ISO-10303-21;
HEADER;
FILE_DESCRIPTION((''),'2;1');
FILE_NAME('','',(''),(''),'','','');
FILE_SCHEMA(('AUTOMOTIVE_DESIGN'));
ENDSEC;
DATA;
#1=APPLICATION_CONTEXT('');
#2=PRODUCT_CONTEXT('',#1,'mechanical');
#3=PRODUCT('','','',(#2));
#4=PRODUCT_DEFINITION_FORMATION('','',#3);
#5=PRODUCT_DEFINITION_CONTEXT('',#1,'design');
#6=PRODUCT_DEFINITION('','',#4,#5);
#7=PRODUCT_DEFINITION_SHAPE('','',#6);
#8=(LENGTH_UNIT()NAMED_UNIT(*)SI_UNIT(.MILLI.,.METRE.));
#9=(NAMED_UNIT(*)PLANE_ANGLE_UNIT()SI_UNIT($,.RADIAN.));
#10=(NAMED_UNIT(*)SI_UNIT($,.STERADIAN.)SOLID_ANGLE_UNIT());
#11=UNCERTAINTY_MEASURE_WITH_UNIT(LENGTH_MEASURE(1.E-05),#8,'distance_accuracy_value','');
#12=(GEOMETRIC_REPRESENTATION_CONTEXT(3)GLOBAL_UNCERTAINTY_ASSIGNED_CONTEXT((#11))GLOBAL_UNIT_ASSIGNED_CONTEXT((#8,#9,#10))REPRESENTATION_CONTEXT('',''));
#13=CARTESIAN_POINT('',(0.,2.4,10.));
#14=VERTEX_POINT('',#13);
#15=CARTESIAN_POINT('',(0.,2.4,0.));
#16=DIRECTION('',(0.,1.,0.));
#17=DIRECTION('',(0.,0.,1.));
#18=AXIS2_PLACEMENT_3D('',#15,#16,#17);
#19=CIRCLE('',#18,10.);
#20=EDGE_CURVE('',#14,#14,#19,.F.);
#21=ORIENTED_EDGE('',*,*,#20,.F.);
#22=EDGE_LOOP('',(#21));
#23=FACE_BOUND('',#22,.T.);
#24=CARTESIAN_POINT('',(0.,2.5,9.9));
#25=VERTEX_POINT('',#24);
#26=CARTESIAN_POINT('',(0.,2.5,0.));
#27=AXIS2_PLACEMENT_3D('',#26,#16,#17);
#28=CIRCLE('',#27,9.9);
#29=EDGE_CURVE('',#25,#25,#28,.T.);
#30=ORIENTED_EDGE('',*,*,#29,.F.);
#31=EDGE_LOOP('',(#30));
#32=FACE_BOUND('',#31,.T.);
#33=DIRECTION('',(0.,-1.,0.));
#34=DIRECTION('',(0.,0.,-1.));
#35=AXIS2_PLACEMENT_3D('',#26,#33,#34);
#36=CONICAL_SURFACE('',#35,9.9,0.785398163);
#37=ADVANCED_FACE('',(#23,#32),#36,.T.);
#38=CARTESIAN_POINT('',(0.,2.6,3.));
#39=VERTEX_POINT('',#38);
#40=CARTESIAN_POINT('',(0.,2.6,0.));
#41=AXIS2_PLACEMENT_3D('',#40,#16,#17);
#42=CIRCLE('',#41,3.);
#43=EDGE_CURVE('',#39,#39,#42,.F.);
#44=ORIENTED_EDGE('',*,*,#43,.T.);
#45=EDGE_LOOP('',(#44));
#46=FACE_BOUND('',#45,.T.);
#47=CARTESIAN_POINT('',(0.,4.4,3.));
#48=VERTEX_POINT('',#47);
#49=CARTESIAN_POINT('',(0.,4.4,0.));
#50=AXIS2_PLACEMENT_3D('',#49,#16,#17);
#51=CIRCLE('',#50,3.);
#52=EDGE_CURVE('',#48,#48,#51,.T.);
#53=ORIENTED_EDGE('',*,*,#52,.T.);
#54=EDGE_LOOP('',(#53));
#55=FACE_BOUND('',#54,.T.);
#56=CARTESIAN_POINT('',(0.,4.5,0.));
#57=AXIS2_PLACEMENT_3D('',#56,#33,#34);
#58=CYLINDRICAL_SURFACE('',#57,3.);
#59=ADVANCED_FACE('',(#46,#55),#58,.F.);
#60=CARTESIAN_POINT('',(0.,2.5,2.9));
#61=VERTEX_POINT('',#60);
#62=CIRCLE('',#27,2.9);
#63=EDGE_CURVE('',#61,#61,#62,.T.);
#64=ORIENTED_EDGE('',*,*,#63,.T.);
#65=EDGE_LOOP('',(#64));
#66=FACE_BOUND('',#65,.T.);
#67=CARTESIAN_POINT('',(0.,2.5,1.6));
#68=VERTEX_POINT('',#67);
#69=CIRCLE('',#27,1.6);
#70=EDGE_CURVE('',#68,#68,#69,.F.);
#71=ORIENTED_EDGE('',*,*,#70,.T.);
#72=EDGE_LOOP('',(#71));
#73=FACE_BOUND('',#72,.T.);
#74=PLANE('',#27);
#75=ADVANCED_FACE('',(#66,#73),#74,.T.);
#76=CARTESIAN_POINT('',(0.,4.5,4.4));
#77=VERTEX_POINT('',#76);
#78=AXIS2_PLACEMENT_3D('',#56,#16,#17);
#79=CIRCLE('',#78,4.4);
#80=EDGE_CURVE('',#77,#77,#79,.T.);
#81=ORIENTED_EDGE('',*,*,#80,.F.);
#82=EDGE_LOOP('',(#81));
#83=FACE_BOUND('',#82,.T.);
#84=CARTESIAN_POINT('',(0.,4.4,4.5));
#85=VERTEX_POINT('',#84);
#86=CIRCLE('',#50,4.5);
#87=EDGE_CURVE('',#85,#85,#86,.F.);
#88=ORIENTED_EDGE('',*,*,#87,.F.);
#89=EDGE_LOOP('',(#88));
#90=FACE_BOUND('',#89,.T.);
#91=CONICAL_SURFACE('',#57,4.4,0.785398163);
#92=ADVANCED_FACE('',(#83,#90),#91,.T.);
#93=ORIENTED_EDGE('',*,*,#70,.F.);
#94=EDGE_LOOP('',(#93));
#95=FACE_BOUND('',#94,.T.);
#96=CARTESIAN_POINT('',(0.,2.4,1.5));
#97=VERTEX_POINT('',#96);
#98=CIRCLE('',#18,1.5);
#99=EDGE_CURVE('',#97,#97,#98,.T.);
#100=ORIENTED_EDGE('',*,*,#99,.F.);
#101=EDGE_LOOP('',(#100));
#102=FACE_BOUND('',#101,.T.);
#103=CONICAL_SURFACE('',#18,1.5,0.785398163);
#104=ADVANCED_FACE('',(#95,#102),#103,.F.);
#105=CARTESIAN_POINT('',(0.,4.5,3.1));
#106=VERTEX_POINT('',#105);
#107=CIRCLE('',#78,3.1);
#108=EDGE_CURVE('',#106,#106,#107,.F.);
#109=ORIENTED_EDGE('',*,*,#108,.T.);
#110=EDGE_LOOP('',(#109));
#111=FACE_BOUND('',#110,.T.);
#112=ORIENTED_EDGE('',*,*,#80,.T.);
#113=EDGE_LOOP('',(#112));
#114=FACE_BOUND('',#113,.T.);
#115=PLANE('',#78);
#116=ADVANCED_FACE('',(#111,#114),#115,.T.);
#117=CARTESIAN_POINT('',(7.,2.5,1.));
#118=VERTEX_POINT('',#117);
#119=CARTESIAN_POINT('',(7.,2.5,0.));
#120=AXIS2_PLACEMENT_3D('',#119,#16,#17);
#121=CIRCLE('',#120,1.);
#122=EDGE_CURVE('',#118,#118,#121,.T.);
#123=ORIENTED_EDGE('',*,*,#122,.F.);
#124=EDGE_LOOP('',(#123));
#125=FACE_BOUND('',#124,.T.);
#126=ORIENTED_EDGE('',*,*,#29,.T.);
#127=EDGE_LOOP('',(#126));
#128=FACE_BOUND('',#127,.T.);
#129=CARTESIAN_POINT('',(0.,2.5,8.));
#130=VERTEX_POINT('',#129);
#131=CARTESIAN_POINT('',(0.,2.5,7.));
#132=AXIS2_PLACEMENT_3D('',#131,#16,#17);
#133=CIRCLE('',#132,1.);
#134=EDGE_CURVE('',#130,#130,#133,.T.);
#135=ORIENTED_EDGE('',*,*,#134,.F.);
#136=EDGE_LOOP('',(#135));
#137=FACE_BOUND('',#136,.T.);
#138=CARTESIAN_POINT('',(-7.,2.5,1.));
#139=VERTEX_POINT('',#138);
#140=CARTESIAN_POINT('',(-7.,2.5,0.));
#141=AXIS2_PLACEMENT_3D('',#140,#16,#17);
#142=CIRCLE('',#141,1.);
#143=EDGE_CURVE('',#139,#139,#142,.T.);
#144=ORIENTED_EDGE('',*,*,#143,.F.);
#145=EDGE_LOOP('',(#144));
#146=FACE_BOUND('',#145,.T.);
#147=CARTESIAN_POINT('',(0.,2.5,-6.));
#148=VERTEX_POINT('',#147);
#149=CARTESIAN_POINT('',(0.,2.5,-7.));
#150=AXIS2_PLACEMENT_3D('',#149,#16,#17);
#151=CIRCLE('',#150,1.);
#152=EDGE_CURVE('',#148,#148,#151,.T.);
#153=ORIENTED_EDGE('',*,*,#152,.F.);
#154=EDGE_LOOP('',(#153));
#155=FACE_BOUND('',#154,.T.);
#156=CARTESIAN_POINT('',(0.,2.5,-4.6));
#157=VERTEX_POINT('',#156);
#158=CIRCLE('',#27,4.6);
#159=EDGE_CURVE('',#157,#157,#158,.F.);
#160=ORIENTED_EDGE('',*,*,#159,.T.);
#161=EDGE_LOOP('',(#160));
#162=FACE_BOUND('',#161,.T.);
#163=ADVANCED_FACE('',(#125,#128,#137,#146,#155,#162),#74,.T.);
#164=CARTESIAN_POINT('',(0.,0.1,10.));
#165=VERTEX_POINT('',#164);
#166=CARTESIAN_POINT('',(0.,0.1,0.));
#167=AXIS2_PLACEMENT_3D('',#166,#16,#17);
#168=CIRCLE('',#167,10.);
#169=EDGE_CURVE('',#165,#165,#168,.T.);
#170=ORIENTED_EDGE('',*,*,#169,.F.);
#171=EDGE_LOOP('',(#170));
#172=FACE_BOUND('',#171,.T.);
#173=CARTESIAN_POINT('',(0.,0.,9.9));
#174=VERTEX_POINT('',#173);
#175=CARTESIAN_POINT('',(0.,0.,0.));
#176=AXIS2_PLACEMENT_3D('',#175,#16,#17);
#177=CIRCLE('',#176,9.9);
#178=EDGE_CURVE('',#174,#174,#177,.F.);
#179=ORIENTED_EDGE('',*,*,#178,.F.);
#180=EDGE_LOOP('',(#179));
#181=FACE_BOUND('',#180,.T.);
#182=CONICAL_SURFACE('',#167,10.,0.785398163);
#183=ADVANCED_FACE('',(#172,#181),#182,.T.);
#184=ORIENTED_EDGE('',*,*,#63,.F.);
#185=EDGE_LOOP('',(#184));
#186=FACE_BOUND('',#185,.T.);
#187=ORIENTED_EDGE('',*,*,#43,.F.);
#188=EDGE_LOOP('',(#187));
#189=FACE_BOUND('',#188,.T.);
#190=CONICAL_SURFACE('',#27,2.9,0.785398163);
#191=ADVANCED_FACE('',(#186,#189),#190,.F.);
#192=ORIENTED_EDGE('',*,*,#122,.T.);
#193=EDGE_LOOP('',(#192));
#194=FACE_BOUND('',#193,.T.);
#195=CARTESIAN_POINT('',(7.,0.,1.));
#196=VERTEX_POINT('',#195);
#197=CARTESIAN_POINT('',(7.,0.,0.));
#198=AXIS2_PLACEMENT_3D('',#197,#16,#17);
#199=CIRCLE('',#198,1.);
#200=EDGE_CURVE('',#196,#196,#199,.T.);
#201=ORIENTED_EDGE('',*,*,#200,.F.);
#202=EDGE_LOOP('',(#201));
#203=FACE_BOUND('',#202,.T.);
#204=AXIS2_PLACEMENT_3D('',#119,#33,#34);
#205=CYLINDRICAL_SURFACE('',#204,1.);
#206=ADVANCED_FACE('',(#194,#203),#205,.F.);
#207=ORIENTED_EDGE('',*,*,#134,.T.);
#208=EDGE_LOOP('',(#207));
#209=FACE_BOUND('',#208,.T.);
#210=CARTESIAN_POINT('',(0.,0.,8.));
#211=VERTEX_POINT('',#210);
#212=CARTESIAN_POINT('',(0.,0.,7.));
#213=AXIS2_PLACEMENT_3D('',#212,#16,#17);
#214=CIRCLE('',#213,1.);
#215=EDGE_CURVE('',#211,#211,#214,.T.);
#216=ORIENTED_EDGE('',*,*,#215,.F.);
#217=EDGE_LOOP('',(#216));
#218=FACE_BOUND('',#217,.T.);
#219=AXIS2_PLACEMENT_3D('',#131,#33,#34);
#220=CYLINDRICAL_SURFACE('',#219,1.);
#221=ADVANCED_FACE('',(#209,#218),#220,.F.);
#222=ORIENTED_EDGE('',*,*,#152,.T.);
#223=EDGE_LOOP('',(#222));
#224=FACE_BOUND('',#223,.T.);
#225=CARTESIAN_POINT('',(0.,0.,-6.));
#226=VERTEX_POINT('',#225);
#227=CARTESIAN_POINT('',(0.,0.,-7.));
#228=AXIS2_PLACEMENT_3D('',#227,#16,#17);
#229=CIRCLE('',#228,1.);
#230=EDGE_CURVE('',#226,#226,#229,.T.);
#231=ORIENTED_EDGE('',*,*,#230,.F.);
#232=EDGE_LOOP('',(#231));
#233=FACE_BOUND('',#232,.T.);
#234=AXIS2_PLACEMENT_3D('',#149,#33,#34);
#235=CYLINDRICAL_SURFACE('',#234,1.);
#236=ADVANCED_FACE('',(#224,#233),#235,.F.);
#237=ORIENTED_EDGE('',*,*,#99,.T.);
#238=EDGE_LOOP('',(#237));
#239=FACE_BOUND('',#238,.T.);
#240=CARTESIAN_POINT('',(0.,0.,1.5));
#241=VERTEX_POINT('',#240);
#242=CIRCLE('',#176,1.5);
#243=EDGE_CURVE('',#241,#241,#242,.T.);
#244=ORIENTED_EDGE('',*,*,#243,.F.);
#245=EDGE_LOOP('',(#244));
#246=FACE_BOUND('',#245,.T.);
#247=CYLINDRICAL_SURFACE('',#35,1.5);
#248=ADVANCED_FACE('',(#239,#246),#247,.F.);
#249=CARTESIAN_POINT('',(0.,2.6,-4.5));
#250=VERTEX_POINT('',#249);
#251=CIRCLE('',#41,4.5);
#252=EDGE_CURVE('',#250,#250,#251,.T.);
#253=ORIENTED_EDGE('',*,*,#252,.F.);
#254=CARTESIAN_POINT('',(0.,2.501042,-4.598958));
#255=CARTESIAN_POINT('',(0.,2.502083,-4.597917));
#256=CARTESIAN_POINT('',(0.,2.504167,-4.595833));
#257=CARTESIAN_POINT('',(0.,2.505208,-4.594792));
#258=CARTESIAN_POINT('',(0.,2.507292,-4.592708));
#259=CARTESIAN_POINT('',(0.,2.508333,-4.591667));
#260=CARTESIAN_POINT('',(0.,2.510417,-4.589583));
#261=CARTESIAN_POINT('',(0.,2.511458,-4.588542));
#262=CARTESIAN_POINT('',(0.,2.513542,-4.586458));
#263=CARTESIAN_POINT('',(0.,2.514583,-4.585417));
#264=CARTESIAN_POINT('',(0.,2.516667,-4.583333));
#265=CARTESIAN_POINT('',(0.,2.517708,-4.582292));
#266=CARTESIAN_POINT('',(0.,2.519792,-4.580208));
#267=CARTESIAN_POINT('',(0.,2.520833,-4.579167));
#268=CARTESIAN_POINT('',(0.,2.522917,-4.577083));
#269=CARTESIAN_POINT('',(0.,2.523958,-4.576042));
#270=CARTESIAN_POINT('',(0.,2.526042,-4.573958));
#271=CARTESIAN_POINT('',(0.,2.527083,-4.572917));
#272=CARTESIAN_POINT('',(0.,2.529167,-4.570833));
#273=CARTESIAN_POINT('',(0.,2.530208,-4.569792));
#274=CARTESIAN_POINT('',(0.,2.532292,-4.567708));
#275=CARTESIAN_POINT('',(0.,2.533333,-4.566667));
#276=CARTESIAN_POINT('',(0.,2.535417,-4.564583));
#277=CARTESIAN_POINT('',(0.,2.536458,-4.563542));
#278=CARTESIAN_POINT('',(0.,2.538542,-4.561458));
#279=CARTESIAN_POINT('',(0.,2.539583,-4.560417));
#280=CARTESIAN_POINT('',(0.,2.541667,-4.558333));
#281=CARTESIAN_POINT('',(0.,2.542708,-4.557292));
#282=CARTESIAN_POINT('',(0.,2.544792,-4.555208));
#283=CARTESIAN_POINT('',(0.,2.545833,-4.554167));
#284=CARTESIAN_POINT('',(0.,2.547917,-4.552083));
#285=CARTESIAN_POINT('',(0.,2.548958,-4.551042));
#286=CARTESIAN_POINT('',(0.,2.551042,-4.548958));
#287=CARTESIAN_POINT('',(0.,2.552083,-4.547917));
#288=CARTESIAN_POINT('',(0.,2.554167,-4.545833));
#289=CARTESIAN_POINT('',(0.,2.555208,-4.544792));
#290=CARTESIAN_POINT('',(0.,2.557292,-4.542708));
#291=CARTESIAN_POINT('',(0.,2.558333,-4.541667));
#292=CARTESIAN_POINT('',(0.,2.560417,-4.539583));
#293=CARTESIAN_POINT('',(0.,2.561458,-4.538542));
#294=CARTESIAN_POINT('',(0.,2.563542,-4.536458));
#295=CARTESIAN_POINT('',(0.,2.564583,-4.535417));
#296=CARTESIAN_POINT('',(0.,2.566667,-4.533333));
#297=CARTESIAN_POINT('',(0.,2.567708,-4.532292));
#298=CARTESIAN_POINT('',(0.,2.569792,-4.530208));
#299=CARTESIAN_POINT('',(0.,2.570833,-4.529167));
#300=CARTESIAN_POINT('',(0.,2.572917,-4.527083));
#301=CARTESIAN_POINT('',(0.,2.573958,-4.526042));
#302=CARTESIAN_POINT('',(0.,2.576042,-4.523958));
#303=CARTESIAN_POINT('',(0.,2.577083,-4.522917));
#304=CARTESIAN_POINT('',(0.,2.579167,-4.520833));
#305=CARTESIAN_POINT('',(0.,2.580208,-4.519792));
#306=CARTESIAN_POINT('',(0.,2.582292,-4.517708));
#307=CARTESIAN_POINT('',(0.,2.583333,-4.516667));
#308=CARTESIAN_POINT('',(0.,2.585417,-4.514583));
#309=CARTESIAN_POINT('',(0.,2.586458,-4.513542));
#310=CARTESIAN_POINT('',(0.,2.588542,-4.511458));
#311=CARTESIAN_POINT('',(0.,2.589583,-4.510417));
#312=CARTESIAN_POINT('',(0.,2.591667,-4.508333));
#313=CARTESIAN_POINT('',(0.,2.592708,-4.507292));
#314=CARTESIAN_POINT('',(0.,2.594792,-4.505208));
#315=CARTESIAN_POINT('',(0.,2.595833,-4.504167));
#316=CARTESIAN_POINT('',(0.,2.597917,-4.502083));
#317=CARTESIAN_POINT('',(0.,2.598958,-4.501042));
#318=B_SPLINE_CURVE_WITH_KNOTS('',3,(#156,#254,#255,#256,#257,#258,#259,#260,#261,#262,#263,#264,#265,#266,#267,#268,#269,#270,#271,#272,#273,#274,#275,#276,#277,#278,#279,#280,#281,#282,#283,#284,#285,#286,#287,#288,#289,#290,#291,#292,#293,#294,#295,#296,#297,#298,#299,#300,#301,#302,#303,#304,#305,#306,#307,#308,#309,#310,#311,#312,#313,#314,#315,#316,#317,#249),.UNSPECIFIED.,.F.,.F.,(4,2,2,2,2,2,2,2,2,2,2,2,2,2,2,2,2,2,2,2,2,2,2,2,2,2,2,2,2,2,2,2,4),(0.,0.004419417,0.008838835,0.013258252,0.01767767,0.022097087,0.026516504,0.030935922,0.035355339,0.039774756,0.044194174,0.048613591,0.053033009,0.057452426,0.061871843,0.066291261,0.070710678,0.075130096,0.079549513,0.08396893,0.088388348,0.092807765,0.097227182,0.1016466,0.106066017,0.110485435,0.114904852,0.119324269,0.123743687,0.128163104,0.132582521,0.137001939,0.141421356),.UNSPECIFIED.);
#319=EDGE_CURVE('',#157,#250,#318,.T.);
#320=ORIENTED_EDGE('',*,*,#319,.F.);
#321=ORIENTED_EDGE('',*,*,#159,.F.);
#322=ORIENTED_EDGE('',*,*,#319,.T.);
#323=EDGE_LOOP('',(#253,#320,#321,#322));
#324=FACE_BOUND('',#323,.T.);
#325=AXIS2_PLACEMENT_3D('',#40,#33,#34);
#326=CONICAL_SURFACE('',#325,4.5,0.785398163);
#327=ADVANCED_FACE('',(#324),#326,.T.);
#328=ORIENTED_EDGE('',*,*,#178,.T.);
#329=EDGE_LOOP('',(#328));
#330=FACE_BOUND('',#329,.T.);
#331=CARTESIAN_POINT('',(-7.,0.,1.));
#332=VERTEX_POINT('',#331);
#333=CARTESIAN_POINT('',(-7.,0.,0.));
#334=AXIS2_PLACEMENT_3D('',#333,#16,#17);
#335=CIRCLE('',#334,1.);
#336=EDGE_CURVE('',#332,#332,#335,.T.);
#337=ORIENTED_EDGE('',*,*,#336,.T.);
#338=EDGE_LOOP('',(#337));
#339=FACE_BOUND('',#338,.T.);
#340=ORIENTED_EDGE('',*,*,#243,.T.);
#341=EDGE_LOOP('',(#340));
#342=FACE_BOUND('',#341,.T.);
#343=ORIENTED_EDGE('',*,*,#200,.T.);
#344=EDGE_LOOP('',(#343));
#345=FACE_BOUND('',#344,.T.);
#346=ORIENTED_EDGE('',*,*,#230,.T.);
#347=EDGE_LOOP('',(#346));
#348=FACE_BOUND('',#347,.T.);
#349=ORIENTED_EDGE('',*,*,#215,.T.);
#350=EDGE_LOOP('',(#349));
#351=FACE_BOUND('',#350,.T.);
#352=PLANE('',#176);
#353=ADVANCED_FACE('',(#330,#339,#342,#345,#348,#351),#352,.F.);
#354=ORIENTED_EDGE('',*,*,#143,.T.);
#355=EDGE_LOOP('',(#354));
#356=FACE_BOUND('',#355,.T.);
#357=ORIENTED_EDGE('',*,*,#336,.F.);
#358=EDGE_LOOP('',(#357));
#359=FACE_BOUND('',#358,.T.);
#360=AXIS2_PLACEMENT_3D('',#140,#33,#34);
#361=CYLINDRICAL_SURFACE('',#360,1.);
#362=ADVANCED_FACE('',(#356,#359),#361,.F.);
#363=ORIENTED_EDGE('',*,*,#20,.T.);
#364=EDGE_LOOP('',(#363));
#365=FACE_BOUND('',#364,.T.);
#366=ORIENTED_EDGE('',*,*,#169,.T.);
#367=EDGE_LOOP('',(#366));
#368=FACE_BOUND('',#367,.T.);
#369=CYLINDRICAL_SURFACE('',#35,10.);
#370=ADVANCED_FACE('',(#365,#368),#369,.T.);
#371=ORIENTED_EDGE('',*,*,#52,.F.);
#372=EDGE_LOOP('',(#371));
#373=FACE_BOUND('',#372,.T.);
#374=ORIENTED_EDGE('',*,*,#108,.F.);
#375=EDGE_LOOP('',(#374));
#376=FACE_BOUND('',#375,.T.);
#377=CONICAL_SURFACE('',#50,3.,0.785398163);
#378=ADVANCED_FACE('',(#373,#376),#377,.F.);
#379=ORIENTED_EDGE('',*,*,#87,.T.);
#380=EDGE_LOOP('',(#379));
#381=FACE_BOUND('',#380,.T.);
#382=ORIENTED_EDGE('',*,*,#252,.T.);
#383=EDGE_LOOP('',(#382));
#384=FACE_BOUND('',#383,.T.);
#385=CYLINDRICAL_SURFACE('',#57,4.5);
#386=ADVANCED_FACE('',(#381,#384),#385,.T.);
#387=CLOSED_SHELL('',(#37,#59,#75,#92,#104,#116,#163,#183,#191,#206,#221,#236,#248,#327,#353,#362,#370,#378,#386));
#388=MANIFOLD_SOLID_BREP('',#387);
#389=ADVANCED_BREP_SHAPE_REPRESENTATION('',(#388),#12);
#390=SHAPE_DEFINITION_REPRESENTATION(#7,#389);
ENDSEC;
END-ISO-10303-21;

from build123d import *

# Parameters (mm, degrees)
SKETCH_1_R      = 10
SKETCH_1_R_2    = 1.5
SKETCH_1_R_3    = 1
EXTRUDE_1_DEPTH = 2.5
SKETCH_2_R      = 4.5
SKETCH_2_R_2    = 3
EXTRUDE_2_DEPTH = 2
CHAMFER_1_SIZE  = 0.1
CHAMFER_2_SIZE  = 0.1


with BuildPart() as part:
    # 草图1 → 凸台-拉伸1 (new body)
    with BuildSketch(Plane(origin=(0, 0, 0), x_dir=(1, 0, 0), z_dir=(0, 1, 0))):
        with Locations(Location((0, 0, 0), (0, 0, 270))):
            Circle(SKETCH_1_R)
        with Locations(Location((0, 0, 0), (0, 0, 270))):
            Circle(SKETCH_1_R_2, mode=Mode.SUBTRACT)
        with Locations(Location((0, 7, 0), (0, 0, 270))):
            Circle(SKETCH_1_R_3, mode=Mode.SUBTRACT)
        with Locations(Location((7, 0, 0), (0, 0, 270))):
            Circle(SKETCH_1_R_3, mode=Mode.SUBTRACT)
        with Locations(Location((0, -7, 0), (0, 0, 270))):
            Circle(SKETCH_1_R_3, mode=Mode.SUBTRACT)
        with Locations(Location((-7, 0, 0), (0, 0, 270))):
            Circle(SKETCH_1_R_3, mode=Mode.SUBTRACT)
    extrude(amount=EXTRUDE_1_DEPTH)

    # 草图2 → 凸台-拉伸2 (add)
    with BuildSketch(Plane(origin=(0, 2.5, 0), x_dir=(1, 0, 0), z_dir=(0, 1, 0))):
        with Locations(Location((0, 0, 0), (0, 0, 270))):
            Circle(SKETCH_2_R)
        with Locations(Location((0, 0, 0), (0, 0, 270))):
            Circle(SKETCH_2_R_2, mode=Mode.SUBTRACT)
    extrude(amount=EXTRUDE_2_DEPTH)

    # 倒角1
    chamfer_1_edges = [part.edges().sort_by_distance(p)[0] for p in [
        (0, 4.5, -4.5),
    ]]
    chamfer(chamfer_1_edges, length=CHAMFER_1_SIZE)

    # 倒角2
    chamfer_2_edges = [part.edges().sort_by_distance(p)[0] for p in [
        (0, 0, -10),
        (0, 2.5, -4.5),
        (0, 2.5, -3),
        (0, 4.5, -3),
        (0, 2.5, -10),
        (0, 2.5, -1.5),
    ]]
    chamfer(chamfer_2_edges, length=CHAMFER_2_SIZE)


solid = part.part
